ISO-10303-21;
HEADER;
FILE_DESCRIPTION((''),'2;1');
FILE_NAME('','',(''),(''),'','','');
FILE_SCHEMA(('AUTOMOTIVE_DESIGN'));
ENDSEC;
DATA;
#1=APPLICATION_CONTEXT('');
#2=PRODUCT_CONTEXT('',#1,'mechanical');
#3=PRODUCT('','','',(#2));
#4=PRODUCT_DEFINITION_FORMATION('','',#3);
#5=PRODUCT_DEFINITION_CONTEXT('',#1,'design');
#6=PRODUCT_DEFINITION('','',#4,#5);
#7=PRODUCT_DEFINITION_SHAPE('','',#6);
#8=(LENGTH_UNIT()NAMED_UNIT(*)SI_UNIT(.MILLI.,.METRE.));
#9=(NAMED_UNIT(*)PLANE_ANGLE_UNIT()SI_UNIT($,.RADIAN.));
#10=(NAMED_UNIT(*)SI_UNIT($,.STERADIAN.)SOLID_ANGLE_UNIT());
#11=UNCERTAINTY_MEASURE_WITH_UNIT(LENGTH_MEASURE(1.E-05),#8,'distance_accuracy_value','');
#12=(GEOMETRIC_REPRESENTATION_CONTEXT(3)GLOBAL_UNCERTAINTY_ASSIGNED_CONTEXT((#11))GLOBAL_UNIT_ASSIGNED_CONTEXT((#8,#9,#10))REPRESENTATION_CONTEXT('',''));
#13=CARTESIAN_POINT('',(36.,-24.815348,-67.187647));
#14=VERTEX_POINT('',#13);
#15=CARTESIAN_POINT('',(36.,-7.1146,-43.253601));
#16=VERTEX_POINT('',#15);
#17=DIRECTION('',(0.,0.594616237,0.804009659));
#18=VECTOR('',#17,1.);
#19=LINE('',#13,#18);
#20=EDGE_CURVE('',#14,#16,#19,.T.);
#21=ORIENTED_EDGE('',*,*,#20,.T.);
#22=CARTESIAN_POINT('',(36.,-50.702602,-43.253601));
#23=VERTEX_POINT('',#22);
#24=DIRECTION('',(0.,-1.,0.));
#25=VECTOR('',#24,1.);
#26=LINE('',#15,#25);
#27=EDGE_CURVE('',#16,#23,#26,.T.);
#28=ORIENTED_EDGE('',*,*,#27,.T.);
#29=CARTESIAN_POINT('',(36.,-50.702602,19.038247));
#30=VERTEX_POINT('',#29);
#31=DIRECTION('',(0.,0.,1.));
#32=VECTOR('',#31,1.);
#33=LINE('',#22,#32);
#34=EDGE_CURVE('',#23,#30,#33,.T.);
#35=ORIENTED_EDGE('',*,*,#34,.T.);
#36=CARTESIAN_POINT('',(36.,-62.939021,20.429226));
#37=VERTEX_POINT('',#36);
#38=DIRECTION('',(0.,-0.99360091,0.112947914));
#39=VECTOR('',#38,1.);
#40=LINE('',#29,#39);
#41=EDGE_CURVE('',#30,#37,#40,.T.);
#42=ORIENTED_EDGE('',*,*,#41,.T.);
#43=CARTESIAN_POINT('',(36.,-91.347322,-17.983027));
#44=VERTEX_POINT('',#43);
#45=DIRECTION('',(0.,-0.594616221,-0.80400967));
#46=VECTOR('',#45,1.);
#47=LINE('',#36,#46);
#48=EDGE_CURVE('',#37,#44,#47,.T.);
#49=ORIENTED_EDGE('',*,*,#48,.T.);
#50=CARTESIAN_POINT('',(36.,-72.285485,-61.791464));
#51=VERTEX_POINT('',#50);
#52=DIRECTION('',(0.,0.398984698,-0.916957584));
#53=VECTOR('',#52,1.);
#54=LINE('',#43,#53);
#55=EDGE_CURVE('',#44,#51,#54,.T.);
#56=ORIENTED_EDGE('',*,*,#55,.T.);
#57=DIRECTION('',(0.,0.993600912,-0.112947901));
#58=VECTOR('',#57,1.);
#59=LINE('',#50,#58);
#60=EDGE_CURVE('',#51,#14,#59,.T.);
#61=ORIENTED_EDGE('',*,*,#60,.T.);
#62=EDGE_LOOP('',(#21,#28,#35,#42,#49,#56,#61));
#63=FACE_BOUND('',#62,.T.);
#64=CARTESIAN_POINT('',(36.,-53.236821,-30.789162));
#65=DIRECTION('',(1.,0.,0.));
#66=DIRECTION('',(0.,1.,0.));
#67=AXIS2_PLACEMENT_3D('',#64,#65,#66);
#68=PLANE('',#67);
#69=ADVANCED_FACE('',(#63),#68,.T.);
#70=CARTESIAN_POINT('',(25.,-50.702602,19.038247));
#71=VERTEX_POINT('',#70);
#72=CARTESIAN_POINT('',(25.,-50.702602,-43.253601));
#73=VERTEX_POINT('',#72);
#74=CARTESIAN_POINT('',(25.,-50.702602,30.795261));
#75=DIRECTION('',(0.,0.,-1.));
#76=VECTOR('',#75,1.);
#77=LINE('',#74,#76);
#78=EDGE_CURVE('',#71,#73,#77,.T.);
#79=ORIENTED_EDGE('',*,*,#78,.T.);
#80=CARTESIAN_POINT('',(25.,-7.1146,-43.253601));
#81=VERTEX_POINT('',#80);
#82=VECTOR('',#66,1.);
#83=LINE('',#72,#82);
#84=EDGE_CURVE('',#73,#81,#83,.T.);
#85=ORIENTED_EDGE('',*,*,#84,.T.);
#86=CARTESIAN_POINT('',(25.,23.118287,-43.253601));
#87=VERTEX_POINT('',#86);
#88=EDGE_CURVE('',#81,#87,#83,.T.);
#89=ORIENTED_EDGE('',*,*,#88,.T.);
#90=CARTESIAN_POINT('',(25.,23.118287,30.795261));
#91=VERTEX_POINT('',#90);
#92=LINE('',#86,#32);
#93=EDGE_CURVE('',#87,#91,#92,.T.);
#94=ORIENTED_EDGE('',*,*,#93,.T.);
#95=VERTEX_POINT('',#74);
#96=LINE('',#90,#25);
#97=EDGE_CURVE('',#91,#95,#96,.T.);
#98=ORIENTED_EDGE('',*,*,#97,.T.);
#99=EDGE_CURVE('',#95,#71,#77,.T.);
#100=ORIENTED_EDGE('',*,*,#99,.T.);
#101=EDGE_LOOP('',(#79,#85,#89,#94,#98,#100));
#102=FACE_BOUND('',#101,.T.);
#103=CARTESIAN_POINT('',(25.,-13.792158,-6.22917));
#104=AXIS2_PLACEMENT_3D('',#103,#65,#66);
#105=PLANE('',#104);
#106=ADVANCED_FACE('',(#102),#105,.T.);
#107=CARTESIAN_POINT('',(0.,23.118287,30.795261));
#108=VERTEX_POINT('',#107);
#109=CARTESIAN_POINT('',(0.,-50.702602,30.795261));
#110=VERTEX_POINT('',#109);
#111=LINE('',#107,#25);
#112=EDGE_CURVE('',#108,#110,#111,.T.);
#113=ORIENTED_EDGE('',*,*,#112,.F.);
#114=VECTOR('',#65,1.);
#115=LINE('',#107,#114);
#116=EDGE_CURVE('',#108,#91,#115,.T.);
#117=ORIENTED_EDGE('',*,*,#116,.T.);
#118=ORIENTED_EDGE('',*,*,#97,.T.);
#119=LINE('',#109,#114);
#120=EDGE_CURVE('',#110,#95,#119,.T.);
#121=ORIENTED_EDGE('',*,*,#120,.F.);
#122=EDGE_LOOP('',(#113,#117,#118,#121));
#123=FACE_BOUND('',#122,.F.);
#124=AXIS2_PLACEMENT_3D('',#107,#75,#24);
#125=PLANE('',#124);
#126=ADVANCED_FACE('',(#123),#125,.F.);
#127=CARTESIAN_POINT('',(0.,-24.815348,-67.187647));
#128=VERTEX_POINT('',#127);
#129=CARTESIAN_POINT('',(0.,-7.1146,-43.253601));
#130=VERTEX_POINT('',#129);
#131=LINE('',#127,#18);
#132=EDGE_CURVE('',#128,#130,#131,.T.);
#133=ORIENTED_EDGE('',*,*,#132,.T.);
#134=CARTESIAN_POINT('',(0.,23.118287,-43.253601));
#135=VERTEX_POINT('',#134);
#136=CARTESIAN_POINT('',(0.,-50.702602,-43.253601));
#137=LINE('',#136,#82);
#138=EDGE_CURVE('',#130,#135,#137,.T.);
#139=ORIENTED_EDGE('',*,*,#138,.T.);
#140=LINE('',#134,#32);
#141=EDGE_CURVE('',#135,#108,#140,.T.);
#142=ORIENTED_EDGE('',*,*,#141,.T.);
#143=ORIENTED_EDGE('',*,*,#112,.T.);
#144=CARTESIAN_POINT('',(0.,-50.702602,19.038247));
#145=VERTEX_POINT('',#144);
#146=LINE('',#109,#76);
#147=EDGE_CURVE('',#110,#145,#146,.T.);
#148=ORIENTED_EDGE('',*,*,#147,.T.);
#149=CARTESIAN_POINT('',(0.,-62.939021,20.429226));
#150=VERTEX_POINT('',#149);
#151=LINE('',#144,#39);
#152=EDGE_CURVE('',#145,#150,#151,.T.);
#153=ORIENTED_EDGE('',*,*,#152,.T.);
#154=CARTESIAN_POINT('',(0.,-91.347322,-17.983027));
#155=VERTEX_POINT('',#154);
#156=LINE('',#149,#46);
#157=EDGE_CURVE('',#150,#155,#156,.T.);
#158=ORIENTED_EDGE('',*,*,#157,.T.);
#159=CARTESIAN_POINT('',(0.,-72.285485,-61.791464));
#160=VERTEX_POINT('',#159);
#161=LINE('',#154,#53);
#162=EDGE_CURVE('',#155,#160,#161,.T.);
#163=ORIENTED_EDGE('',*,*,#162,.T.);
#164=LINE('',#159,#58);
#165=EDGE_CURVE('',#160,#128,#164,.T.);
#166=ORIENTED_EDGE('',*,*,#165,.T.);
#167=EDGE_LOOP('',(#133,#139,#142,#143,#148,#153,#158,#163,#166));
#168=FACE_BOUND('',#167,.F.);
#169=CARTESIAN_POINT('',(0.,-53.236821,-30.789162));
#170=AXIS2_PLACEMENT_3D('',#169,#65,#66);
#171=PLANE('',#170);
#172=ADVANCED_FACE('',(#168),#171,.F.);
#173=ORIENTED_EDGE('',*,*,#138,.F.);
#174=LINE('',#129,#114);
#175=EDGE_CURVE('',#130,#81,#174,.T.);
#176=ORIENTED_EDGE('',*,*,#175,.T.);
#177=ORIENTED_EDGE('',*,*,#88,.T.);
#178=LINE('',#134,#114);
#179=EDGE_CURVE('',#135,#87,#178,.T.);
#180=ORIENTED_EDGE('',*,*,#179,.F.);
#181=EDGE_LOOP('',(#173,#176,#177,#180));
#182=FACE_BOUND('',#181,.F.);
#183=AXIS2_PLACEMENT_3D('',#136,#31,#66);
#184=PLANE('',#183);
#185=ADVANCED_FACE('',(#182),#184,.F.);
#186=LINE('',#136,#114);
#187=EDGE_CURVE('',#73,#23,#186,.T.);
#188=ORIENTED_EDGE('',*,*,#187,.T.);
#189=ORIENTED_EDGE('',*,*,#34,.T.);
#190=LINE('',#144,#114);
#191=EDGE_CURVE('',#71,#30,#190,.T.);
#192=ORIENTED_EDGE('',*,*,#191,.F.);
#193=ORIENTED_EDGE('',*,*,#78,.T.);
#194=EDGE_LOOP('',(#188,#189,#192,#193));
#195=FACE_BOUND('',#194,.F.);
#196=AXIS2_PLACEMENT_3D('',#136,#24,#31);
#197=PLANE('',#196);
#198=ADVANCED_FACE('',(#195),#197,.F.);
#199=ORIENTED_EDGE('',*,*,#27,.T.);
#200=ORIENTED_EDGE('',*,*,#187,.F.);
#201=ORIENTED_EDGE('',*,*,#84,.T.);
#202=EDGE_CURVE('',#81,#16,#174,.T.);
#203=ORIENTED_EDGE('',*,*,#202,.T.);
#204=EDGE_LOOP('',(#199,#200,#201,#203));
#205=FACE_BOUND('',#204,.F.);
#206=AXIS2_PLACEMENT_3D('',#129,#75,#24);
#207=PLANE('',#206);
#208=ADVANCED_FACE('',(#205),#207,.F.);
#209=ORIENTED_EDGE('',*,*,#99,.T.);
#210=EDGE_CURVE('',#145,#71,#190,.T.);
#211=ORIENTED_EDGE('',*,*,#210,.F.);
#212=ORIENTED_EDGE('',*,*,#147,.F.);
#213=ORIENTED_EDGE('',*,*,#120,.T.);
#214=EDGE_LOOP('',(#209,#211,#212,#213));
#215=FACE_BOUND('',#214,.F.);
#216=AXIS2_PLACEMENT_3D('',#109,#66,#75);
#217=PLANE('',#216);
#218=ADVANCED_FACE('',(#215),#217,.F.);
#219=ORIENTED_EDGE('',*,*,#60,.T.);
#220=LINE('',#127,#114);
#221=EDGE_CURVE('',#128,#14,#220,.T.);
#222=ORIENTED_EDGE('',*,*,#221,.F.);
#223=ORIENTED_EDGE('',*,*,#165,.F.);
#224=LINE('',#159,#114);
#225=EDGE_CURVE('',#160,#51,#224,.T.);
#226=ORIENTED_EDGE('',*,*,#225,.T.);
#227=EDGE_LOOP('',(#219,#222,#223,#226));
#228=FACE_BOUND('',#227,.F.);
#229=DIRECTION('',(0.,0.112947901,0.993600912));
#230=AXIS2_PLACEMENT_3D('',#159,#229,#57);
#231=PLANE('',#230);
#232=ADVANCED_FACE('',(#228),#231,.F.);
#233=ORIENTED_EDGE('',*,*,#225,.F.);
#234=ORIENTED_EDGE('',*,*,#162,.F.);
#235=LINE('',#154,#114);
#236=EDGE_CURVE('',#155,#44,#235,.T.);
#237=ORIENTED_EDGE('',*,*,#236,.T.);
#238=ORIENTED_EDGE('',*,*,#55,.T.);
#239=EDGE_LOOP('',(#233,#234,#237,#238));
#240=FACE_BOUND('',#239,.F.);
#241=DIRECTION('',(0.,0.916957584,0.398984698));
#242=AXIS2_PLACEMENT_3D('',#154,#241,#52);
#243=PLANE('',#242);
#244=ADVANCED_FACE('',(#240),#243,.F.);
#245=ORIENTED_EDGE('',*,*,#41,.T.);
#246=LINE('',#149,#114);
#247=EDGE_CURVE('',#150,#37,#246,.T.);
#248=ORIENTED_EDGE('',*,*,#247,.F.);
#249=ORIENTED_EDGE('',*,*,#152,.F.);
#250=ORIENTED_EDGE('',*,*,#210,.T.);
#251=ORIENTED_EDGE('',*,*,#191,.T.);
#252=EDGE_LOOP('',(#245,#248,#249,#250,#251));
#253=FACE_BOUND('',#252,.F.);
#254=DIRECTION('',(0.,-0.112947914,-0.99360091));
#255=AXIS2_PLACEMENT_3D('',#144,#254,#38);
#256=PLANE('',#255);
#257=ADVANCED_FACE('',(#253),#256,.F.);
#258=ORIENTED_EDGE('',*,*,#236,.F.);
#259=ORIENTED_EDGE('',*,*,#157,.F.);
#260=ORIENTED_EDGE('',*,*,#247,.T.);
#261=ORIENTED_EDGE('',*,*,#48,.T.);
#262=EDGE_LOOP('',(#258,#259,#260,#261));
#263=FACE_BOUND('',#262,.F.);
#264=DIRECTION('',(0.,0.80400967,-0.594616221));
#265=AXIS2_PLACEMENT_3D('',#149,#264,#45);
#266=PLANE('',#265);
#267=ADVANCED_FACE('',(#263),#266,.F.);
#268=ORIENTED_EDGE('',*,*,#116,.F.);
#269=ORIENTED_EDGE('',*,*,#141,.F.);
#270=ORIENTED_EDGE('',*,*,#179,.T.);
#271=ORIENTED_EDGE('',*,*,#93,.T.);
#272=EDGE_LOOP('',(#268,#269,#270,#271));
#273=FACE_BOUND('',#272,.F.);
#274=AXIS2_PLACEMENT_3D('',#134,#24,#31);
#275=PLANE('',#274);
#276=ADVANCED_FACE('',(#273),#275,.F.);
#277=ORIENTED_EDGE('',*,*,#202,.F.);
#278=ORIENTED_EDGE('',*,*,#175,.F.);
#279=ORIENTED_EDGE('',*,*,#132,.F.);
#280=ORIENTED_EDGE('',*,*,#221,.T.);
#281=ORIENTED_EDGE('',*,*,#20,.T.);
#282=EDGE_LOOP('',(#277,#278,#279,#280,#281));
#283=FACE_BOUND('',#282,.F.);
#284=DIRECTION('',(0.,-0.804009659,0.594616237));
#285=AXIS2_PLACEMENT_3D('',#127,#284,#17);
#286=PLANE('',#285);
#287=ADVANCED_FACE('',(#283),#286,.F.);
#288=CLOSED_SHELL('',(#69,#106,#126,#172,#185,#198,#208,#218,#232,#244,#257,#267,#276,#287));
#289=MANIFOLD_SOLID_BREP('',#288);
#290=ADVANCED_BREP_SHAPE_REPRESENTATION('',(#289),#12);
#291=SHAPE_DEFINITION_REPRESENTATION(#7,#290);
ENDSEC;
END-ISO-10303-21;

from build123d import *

# Parameters (mm, degrees)
F4_DEPTH = 25
F6_DEPTH = 36


with BuildPart() as f4:
    # F2 (on Right) → F4 (new body)
    with BuildSketch(Plane.YZ):
        Polygon((23.118287, 0), (23.118287, 30.795261), (-50.702602, 30.795261), (-50.702602, 19.038247), (-50.702602, -43.253601), (-7.1146, -43.253601), (23.118287, -43.253601), align=None)
    extrude(amount=F4_DEPTH)

    # F1 (on face) → F6 (join)
    with BuildSketch(Plane.YZ):
        Polygon((-62.939021, 20.429226), (-91.347322, -17.983027), (-72.285485, -61.791464), (-24.815348, -67.187647), (-7.1146, -43.253601), (-50.702602, -43.253601), (-50.702602, 19.038247), align=None)
    extrude(amount=F6_DEPTH)


solid = f4.part
